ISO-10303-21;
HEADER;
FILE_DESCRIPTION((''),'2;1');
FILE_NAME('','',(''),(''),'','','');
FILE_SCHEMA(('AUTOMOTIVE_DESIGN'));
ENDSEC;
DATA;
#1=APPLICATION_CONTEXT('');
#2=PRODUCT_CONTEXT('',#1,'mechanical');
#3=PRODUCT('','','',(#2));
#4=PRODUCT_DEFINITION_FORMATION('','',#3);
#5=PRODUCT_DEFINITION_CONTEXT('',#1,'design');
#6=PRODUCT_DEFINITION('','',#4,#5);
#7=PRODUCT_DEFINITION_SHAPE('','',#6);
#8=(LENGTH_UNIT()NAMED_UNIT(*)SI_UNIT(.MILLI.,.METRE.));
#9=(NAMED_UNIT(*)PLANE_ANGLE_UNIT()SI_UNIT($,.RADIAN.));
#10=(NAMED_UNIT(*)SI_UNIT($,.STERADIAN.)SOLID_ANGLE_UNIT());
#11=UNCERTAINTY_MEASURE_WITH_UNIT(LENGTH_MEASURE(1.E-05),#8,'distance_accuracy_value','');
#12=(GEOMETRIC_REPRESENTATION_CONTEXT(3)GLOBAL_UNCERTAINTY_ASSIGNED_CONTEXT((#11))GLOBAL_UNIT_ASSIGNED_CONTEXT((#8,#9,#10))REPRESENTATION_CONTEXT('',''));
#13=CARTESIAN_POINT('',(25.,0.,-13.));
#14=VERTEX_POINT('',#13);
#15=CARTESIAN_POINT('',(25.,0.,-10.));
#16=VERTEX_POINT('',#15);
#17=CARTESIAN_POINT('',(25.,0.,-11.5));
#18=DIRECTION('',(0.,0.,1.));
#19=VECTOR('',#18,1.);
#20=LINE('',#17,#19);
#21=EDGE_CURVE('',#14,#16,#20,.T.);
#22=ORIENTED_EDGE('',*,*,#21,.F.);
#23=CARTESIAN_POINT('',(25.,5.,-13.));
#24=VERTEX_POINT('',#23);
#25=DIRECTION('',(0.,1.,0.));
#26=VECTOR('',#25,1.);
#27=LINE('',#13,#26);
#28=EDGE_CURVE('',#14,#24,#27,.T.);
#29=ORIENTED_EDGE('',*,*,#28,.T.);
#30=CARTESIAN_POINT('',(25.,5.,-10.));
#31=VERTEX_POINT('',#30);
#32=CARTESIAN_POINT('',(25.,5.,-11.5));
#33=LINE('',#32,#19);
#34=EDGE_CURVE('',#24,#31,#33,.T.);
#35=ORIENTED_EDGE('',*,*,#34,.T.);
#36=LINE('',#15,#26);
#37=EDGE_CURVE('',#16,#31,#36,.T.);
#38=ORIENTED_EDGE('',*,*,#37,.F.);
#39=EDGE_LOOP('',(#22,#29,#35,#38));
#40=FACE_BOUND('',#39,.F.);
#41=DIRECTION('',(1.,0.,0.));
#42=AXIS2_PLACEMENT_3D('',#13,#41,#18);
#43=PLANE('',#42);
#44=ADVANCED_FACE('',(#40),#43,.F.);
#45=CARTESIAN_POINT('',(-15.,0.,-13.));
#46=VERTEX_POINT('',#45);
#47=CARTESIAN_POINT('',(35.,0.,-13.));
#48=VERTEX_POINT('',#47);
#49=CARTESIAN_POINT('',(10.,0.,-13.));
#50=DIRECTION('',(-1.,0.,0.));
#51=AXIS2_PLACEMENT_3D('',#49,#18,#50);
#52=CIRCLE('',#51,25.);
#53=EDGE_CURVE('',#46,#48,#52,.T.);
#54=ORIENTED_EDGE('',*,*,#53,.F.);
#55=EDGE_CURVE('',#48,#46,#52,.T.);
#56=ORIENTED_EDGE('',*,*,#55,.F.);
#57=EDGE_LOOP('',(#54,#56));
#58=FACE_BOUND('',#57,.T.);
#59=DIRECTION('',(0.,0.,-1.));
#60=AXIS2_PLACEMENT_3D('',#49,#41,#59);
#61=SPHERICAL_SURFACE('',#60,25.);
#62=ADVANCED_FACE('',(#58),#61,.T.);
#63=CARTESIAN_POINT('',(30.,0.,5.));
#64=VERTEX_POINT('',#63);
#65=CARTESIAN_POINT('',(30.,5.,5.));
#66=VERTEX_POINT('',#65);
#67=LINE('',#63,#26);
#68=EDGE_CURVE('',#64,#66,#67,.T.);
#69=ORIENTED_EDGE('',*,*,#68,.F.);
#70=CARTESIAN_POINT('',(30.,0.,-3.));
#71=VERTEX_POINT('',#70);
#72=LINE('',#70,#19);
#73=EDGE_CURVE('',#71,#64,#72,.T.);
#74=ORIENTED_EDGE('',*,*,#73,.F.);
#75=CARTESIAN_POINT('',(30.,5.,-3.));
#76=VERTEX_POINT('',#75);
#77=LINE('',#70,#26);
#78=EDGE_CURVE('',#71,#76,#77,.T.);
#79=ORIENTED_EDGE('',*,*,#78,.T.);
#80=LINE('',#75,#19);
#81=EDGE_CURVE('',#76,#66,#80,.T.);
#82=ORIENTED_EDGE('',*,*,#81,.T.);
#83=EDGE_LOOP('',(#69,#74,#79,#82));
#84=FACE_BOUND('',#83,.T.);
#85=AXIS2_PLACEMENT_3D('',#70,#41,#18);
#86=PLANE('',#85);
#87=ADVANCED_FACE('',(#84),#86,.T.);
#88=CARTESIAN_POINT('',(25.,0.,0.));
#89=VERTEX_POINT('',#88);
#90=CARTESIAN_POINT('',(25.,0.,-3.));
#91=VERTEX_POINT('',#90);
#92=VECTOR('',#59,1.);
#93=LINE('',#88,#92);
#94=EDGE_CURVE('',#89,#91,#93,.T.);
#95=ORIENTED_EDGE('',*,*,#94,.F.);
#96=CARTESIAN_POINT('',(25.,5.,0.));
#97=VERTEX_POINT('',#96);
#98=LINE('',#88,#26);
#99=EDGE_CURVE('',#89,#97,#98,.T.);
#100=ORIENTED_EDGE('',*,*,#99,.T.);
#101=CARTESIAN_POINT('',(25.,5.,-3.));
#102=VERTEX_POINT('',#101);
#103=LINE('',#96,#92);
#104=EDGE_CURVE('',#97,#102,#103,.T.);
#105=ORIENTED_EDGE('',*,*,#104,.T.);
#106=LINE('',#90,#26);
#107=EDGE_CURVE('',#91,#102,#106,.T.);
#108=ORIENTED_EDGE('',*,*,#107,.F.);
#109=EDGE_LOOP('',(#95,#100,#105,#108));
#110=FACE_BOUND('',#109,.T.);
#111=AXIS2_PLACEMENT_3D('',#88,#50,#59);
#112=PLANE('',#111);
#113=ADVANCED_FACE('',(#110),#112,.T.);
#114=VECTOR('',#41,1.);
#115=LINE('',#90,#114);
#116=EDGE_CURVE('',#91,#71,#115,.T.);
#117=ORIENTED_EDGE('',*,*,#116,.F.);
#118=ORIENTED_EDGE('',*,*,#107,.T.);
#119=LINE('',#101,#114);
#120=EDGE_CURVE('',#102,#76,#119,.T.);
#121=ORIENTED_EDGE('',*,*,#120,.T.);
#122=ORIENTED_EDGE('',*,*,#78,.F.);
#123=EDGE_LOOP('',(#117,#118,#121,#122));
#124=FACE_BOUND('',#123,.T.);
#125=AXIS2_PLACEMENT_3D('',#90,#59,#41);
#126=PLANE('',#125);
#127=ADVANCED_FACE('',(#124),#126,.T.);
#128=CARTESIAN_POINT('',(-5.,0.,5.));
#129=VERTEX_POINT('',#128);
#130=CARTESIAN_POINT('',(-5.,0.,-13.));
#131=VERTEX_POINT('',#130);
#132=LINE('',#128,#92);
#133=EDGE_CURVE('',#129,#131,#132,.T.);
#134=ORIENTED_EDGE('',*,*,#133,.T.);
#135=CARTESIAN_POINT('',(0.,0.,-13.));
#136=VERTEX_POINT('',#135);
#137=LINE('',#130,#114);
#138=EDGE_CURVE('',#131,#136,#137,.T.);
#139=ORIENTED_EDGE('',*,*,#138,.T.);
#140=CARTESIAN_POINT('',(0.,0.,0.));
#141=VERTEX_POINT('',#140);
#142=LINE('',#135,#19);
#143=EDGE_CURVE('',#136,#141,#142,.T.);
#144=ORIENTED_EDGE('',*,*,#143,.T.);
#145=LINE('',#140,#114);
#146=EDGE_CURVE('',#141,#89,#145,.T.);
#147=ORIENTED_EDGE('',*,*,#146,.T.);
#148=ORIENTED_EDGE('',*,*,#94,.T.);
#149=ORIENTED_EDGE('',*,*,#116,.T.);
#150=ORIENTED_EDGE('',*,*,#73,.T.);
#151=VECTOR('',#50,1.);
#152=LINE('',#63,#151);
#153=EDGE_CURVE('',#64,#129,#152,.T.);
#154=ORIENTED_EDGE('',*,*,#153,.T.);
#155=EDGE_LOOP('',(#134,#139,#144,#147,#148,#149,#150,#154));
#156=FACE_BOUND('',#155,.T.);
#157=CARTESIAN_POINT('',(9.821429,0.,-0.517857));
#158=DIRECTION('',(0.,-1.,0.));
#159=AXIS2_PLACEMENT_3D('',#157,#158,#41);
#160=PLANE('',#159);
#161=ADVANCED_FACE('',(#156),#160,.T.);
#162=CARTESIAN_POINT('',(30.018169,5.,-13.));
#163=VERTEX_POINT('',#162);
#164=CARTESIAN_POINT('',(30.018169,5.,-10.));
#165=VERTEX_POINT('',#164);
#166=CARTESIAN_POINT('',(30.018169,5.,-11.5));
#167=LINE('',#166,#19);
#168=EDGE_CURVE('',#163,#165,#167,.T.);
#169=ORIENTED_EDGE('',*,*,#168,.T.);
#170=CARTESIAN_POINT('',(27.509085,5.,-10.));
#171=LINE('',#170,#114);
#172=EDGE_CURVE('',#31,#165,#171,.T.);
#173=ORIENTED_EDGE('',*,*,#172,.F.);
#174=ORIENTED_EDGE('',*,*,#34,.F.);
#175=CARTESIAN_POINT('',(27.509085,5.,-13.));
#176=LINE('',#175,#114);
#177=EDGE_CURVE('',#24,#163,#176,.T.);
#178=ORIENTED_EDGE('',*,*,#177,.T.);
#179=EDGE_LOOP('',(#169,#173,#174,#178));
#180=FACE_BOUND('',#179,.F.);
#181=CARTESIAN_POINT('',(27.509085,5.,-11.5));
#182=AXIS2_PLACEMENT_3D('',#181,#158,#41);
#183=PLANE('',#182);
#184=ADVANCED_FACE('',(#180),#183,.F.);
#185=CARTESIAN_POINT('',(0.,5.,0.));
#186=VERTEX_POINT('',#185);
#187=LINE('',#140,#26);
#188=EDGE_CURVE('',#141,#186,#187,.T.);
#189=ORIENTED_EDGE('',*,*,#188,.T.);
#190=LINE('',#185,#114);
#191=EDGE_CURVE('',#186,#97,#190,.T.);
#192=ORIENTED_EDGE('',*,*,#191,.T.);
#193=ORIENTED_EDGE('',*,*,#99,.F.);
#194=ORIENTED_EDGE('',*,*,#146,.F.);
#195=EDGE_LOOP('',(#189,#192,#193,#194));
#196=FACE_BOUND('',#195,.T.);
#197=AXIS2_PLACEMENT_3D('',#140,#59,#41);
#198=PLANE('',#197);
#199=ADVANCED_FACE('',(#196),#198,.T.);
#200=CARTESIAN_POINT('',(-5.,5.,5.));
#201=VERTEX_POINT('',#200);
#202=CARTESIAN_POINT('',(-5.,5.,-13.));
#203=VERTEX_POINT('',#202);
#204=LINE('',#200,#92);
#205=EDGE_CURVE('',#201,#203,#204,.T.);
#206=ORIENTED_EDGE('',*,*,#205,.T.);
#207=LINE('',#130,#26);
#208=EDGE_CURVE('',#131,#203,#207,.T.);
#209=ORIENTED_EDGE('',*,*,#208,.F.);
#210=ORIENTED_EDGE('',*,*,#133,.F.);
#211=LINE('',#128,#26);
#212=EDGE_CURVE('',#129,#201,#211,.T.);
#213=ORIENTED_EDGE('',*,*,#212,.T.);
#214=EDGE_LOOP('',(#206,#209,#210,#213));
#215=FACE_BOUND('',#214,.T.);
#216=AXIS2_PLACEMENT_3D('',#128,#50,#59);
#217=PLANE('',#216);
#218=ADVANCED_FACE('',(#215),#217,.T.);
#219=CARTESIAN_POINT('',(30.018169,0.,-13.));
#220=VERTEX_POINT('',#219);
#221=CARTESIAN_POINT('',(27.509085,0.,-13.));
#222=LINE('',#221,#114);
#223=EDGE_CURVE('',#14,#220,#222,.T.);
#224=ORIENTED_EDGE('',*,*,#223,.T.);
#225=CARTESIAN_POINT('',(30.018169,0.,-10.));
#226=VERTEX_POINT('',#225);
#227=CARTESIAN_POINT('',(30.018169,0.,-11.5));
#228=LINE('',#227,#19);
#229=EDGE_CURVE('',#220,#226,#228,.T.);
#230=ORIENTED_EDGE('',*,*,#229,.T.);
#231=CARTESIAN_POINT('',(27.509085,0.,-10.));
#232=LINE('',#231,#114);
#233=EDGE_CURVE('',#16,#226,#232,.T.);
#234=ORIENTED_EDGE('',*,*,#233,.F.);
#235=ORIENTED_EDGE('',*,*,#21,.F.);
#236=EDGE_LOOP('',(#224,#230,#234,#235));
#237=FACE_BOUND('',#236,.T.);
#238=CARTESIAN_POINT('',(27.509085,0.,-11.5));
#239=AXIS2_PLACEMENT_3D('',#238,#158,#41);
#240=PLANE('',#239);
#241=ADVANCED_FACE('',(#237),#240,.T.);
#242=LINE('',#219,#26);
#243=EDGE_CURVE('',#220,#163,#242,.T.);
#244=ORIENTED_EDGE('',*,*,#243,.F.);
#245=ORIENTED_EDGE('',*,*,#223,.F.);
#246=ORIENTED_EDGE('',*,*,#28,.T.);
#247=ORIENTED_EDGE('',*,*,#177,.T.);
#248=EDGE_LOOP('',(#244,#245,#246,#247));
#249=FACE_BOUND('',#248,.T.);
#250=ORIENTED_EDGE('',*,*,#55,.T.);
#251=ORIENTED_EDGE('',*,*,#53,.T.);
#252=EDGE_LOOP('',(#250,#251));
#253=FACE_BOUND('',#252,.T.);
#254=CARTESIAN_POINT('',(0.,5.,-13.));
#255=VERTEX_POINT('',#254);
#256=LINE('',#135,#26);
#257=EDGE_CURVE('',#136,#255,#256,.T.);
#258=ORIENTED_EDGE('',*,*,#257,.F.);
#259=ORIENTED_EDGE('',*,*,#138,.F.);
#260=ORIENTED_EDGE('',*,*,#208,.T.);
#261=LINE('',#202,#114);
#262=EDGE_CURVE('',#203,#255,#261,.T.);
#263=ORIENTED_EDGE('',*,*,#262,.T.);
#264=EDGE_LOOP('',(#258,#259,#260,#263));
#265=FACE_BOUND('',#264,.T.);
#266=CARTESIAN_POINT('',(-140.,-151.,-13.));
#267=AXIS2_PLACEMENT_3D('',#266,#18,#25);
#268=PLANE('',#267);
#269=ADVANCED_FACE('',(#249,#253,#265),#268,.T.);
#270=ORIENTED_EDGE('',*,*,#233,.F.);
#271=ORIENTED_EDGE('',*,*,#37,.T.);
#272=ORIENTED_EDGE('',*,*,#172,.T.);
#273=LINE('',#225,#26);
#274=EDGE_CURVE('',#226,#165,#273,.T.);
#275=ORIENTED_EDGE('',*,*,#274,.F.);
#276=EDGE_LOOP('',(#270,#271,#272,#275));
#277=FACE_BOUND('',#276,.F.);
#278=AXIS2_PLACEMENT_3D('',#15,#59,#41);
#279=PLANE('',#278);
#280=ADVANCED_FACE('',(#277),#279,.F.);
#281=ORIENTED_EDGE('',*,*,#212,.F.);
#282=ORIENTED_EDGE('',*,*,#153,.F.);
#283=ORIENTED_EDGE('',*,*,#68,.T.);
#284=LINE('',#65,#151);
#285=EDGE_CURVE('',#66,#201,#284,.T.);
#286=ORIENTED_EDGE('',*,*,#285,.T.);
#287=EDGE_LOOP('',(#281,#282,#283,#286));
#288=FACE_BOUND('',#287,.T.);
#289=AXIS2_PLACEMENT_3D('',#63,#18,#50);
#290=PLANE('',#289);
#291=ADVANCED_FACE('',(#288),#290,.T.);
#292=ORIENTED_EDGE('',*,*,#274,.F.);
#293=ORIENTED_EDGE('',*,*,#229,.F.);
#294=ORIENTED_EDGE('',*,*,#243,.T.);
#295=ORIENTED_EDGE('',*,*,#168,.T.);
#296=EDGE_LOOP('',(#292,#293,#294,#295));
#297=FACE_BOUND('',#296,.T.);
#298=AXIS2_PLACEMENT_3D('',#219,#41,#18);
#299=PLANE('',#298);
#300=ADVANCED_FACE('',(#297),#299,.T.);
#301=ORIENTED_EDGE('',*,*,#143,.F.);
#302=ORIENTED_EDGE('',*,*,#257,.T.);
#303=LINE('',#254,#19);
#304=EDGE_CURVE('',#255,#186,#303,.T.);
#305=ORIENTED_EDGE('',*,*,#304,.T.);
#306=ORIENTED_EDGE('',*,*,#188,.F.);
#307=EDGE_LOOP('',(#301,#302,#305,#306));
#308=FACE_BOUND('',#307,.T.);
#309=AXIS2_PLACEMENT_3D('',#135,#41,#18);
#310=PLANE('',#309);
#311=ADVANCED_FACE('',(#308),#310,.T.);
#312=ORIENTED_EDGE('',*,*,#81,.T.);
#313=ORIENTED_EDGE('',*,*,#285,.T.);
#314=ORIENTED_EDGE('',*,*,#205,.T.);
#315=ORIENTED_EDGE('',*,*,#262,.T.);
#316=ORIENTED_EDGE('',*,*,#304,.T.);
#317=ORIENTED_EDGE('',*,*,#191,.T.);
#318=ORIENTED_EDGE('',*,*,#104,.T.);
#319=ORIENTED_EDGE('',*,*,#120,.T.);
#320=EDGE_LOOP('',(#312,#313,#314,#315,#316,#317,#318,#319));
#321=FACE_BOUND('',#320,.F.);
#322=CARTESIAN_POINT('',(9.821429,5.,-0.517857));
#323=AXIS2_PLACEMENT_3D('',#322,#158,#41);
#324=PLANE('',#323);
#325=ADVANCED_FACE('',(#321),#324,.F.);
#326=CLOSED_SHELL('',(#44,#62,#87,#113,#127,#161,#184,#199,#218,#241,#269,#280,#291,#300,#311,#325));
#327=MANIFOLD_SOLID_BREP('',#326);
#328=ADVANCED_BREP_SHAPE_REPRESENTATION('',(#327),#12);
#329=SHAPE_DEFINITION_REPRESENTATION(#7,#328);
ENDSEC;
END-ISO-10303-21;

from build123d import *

# Parameters (mm, degrees)
SKETCH001_W            = 5.018169
SKETCH001_H            = 3
EXTRUDE001_DEPTH       = 5
BOX_W                  = 210
BOX_H                  = 320
BOX_DEPTH              = 320
CUT001_PLACEMENT_ANGLE = 90
EXTRUDE_DEPTH          = 5


with BuildPart() as extrude001:
    # Sketch001 → Extrude001 (new body)
    with BuildSketch(Plane.XZ):
        with Locations((27.509085, -11.5)):
            Rectangle(SKETCH001_W, SKETCH001_H)
    extrude(amount=-EXTRUDE001_DEPTH)


with BuildPart() as cubo:
    # Box → Box (new body)
    with BuildSketch(Plane(origin=(0, -151, -150), x_dir=(1, 0, 0), z_dir=(0, 0, 1))):
        with Locations((105, 160)):
            Rectangle(BOX_W, BOX_H)
    extrude(amount=BOX_DEPTH)


with BuildPart() as cut:
    # Sphere → Sphere (revolve)
    with BuildSketch(Plane.XZ):
        with BuildLine():
            ThreePointArc((0, -150), (150, 0), (0, 150))
            Line((0, 150), (0, -150))
        make_face()
    revolve(axis=Axis((0, 0, 0), (0, 0, 1)))

    # Cut: cut Cubo
    add(cubo.part, mode=Mode.SUBTRACT)


with BuildPart() as cut001:
    # Sphere001 → Sphere001 (revolve)
    with BuildSketch(Plane.XZ):
        with BuildLine():
            ThreePointArc((0, -25), (25, 0), (0, 25))
            Line((0, 25), (0, -25))
        make_face()
    revolve(axis=Axis((0, 0, 0), (0, 0, 1)))

    # Cut001: cut Cut
    add(cut.part, mode=Mode.SUBTRACT)


with BuildPart() as cut001_1:
    # Cut001 placement: moved
    add(cut001.part.moved(Location((10, 0, -13))).rotate(Axis((10, 0, -13), (0, 1, 0)), CUT001_PLACEMENT_ANGLE))


with BuildPart() as fusion001:
    # Sketch → Extrude (new body)
    with BuildSketch(Plane.XZ):
        Polygon((0, 0), (25, 0), (25, -3), (30, -3), (30, 5), (-5, 5), (-5, -13), (0, -13), align=None)
    extrude(amount=-EXTRUDE_DEPTH)

    # Fusion: union Cut001
    add(cut001_1.part)

    # Fusion001: union Extrude001
    add(extrude001.part)


solid = fusion001.part
